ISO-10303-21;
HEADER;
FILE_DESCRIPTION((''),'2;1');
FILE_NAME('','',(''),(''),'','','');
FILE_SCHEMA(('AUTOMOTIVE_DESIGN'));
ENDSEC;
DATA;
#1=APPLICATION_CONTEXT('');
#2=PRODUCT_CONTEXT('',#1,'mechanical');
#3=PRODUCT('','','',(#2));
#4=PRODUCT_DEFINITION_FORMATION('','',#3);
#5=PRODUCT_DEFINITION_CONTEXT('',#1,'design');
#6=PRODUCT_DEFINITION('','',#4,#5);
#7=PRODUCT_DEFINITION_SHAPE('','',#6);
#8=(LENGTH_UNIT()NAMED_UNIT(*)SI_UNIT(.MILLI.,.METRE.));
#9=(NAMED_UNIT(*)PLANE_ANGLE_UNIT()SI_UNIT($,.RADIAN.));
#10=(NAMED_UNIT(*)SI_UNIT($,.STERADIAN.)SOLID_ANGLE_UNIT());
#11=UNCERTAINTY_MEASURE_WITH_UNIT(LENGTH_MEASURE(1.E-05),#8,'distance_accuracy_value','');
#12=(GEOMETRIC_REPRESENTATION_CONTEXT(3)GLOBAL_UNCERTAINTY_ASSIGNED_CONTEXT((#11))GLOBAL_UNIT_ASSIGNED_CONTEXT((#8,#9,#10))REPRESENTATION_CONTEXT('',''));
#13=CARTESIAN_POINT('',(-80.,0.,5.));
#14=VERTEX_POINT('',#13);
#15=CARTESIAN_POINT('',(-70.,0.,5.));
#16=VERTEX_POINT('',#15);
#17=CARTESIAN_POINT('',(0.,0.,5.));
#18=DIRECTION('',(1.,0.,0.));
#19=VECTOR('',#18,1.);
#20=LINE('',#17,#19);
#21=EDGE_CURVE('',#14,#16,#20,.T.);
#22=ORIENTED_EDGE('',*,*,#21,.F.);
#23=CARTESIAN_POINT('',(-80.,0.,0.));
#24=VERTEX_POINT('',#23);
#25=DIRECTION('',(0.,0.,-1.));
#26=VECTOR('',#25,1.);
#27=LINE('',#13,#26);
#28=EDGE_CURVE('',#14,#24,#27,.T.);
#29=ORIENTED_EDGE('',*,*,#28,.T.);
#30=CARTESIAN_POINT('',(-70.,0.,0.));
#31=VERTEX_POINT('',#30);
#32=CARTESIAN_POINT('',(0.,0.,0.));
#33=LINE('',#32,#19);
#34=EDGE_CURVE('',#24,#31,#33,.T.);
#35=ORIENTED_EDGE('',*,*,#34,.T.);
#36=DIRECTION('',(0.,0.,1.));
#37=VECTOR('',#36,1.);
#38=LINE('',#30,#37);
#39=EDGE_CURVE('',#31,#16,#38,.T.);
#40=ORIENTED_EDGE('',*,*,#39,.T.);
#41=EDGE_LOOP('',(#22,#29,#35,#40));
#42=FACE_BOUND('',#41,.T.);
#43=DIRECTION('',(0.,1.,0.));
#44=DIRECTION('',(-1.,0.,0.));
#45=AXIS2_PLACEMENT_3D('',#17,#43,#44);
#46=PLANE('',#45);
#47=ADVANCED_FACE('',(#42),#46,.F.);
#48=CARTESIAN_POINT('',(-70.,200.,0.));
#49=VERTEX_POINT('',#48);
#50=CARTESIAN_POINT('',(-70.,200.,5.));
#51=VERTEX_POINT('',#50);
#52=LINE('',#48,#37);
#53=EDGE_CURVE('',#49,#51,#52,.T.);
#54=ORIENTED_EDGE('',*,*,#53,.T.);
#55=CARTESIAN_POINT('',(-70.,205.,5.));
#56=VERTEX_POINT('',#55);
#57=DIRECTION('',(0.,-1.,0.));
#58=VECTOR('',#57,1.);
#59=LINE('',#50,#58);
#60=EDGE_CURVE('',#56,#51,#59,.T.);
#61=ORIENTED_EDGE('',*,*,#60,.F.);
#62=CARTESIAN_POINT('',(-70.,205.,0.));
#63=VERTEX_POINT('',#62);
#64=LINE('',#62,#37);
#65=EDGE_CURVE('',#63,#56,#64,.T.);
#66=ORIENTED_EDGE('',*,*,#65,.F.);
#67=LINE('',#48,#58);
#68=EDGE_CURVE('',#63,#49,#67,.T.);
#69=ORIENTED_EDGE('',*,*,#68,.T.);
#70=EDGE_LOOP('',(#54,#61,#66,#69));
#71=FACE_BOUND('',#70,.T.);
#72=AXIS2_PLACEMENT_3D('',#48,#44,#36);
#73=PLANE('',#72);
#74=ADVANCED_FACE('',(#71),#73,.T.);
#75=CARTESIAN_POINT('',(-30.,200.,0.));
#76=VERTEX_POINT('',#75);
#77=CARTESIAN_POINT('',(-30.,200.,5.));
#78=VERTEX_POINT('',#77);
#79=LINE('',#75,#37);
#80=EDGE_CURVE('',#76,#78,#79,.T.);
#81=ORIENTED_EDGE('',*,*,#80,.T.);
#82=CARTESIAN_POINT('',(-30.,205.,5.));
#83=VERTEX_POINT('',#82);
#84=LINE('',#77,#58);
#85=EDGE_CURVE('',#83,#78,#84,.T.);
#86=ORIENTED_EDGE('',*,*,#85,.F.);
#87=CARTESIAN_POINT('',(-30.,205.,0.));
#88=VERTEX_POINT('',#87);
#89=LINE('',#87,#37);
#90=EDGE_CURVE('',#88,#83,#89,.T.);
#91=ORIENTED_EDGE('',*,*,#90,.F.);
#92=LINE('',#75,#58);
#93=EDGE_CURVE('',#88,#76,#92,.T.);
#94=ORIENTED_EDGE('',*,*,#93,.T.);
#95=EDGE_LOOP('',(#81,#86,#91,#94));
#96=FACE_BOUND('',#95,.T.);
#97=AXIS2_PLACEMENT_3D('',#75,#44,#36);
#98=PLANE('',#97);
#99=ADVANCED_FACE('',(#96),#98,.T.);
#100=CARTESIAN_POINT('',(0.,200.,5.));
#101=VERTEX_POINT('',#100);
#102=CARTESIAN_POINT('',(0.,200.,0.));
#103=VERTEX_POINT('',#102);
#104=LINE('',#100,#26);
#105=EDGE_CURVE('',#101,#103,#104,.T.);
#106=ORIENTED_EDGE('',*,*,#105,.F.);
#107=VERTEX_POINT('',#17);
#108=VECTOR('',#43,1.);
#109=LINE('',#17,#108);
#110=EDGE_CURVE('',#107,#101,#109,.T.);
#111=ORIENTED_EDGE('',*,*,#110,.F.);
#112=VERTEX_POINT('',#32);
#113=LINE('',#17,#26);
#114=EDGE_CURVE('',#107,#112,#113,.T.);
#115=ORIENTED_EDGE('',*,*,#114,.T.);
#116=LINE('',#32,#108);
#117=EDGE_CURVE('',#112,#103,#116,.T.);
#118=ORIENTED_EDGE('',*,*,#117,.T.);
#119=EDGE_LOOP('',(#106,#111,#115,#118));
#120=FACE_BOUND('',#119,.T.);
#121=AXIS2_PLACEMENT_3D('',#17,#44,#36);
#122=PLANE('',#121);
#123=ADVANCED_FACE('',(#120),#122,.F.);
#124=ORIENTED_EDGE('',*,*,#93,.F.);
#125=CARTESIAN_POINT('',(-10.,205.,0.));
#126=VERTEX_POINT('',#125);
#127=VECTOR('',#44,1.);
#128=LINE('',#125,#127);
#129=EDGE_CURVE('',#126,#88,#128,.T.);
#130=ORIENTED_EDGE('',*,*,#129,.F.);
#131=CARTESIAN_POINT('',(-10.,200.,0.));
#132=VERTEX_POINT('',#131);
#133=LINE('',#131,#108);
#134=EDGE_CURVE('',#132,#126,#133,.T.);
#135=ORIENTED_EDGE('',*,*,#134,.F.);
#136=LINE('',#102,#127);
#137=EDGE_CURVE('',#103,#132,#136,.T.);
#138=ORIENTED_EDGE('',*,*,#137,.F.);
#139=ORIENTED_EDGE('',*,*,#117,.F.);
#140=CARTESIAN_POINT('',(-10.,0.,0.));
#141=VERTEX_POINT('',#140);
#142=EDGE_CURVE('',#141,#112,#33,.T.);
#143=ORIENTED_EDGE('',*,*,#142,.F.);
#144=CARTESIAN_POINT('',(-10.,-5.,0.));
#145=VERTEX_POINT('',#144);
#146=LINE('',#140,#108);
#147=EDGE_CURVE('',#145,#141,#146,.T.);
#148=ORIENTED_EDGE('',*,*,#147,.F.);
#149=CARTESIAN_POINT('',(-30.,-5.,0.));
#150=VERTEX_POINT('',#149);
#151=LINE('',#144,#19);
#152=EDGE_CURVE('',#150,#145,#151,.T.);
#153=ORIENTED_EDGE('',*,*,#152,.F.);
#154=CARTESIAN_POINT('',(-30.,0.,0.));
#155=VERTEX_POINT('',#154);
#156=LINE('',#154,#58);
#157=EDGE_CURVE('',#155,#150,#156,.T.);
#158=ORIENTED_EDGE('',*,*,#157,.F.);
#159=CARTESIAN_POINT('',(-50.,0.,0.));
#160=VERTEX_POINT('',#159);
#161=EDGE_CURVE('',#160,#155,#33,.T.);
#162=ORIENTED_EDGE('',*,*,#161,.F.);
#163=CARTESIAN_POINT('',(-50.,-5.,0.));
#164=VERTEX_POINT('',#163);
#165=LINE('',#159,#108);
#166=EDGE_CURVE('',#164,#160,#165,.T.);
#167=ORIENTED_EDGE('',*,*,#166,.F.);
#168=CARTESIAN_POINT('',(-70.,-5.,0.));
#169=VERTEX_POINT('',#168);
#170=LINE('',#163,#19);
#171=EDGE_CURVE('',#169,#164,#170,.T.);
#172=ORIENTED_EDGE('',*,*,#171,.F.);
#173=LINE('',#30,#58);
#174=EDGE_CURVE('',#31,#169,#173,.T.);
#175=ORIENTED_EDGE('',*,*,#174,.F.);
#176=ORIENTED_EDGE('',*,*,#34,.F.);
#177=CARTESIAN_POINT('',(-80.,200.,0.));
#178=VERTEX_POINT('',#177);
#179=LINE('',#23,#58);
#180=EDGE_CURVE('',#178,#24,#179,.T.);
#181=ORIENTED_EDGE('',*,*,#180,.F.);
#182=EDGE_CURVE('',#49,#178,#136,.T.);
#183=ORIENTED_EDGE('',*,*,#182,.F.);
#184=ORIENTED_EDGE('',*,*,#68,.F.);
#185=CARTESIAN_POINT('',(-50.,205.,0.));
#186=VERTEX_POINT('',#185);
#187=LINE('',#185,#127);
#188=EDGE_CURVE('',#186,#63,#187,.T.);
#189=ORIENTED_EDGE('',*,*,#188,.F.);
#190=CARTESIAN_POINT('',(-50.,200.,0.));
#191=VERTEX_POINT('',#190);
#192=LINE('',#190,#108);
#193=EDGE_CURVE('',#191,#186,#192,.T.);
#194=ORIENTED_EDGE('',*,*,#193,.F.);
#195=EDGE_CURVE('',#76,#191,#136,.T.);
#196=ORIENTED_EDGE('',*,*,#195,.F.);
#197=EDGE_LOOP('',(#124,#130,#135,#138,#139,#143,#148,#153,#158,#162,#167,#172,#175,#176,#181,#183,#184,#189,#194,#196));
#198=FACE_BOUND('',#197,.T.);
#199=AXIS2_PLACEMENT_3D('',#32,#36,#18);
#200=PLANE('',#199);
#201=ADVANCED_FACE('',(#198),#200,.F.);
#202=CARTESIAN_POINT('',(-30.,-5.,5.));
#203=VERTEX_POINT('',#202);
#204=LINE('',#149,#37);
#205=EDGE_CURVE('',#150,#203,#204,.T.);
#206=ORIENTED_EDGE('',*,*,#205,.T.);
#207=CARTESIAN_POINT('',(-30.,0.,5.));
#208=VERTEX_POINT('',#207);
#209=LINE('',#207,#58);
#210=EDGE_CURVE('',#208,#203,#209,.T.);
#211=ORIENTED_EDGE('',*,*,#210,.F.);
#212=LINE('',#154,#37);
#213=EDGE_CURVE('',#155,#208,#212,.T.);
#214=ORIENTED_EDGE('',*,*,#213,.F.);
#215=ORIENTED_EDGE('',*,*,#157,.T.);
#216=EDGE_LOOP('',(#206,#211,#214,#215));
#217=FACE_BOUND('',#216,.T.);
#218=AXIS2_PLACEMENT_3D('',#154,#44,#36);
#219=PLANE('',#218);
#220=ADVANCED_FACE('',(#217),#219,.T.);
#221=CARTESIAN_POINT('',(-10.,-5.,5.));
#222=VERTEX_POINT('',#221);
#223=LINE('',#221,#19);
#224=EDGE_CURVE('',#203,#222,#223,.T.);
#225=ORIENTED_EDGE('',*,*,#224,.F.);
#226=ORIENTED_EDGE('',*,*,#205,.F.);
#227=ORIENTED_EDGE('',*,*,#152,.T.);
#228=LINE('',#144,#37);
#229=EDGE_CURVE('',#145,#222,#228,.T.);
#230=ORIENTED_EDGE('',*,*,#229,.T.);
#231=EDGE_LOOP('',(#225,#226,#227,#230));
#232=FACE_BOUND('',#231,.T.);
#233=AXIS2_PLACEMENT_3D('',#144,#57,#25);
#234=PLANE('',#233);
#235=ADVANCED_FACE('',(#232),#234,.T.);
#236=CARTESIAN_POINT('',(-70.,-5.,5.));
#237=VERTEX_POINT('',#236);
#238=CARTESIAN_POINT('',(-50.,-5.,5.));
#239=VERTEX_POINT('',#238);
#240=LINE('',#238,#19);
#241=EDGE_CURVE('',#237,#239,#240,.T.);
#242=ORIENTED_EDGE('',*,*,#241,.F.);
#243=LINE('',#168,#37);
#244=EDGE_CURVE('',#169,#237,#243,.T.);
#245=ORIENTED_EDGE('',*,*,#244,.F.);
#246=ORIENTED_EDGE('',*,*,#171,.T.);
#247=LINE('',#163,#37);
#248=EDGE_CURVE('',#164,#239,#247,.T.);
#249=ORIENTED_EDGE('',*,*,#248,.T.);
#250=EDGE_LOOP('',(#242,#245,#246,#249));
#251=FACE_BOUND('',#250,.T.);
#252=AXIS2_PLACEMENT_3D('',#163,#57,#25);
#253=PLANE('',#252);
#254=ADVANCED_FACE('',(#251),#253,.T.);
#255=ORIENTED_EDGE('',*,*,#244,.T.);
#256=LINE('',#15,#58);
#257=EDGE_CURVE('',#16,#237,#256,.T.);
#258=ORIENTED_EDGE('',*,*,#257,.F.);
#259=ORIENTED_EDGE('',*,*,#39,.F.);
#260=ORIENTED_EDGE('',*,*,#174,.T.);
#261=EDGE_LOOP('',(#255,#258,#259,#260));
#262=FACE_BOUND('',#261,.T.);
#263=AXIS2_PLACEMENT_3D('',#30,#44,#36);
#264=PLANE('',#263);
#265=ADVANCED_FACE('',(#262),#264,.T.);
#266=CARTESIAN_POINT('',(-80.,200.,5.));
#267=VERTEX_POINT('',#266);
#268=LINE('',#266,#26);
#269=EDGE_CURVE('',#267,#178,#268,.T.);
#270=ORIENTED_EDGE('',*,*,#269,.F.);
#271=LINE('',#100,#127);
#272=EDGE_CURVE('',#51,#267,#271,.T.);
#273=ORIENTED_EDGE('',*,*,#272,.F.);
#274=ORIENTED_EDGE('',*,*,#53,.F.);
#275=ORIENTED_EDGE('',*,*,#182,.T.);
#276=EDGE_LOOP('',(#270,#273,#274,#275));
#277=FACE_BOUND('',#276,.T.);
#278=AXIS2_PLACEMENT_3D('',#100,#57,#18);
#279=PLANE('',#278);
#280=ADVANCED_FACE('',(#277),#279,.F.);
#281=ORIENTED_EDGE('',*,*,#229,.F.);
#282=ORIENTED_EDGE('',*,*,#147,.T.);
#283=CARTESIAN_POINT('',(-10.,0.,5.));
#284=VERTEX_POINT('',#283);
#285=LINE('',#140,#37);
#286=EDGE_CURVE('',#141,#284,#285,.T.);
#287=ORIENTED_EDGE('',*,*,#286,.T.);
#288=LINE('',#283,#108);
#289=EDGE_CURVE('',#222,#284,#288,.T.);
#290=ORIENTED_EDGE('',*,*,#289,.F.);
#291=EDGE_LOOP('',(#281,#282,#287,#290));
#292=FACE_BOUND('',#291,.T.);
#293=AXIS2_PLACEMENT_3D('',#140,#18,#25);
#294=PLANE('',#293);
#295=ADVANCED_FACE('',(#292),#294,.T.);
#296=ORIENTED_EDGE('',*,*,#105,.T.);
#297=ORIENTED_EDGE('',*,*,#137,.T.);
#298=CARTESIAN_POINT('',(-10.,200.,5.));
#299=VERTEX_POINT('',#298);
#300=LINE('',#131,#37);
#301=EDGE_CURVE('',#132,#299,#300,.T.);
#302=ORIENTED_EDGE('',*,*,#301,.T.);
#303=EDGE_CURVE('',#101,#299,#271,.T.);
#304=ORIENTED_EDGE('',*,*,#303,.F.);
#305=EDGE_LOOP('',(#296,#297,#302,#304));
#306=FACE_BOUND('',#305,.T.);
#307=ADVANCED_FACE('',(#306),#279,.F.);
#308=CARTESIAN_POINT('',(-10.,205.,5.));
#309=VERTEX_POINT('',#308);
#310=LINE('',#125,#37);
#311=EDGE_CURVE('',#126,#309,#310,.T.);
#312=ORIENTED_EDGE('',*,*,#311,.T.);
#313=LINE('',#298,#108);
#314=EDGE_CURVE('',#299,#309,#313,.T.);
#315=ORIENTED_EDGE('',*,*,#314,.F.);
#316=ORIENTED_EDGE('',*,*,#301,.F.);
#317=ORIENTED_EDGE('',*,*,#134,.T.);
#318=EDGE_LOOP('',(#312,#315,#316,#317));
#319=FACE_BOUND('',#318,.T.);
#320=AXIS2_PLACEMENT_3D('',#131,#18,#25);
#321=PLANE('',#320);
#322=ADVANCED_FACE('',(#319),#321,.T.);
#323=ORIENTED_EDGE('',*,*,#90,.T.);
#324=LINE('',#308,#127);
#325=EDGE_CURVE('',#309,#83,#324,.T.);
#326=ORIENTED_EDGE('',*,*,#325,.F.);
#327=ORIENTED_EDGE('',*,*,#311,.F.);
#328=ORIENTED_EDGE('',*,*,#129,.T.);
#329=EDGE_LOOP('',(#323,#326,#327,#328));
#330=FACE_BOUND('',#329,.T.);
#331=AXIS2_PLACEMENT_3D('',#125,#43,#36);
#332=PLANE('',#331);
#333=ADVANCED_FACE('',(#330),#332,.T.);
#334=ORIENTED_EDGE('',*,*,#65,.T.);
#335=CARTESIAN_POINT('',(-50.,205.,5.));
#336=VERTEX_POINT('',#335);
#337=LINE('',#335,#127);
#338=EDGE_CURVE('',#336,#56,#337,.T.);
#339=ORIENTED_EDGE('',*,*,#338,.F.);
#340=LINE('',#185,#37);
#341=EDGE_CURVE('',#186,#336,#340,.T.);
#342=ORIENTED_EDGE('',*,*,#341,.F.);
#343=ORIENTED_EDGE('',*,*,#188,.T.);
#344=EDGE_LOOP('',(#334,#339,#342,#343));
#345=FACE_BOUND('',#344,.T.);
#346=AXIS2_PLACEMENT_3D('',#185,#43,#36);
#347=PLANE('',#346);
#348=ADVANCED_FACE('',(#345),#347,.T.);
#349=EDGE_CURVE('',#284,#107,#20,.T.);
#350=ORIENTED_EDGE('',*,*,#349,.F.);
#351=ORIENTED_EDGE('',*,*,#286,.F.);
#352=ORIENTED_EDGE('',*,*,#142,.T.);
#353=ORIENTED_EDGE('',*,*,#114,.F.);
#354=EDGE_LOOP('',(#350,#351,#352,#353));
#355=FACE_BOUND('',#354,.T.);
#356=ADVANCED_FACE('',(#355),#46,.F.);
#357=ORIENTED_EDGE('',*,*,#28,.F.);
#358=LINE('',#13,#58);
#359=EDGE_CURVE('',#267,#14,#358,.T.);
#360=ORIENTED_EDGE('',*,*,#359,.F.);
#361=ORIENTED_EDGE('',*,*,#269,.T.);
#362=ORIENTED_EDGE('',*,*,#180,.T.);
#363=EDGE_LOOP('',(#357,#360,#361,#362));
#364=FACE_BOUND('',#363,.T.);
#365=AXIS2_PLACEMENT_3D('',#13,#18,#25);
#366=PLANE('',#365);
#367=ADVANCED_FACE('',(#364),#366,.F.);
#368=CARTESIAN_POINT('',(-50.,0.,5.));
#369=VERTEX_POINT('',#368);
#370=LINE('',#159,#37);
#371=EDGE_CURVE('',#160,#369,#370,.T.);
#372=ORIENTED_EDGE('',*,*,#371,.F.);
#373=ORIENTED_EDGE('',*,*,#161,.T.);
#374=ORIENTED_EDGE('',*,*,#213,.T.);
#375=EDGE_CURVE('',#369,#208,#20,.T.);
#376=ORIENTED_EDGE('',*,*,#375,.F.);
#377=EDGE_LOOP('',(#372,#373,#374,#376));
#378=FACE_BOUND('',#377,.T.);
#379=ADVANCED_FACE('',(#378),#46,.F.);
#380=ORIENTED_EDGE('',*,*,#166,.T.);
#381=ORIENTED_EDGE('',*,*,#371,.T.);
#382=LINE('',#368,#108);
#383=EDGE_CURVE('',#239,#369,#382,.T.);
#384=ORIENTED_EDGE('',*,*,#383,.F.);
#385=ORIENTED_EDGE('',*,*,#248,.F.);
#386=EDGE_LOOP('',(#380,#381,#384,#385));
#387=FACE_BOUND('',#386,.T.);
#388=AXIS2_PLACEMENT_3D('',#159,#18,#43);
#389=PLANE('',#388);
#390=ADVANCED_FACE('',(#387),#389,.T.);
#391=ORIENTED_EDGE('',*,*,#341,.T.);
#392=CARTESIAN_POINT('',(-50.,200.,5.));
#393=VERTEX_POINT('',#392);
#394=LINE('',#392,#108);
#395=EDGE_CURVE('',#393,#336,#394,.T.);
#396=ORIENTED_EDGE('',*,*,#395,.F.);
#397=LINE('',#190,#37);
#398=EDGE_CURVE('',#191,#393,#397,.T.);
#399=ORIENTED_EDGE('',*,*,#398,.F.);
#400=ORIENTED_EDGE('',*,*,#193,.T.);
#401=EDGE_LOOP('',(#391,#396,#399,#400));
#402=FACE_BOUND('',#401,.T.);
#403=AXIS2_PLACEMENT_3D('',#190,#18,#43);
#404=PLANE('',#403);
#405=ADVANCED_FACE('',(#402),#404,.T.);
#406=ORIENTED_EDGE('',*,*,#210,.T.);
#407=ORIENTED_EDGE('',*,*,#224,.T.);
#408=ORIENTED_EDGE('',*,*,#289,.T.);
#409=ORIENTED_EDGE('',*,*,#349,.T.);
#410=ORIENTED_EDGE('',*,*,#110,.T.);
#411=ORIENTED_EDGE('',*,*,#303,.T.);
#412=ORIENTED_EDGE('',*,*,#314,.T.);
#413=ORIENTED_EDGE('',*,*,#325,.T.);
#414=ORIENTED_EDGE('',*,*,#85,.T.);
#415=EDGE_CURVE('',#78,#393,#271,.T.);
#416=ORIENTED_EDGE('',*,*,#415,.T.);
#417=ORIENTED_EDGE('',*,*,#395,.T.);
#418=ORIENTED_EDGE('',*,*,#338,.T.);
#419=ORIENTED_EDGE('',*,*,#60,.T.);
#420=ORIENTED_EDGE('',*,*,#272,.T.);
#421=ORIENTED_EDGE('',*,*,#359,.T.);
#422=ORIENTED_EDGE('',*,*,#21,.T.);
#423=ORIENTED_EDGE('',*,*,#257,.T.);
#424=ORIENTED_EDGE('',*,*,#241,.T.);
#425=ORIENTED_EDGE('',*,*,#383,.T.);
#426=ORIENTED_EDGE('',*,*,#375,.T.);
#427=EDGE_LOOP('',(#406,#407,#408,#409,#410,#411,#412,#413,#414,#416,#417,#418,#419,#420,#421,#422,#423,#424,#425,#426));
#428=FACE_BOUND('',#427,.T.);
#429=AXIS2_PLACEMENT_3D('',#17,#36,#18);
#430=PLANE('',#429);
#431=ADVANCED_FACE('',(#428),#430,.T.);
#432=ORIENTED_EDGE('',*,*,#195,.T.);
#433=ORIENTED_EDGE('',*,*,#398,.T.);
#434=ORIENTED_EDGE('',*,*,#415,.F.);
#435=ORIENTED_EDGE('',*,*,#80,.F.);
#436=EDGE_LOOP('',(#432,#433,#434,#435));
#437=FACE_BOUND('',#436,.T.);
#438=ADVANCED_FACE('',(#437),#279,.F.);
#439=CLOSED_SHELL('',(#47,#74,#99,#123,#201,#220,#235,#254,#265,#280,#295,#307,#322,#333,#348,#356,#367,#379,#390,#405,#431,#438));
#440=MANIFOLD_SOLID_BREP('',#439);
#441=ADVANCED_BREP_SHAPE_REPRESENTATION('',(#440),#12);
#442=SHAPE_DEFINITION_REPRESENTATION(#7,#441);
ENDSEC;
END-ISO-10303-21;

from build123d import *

# Parameters (mm, degrees)
SKETCH1_W           = 80
SKETCH1_H           = 200
BOSS_EXTRUDE1_DEPTH = 5
SKETCH2_W           = 20
SKETCH2_H           = 5
BOSS_EXTRUDE2_DEPTH = 5


with BuildPart() as part:
    # Sketch1 → Boss-Extrude1 (new body)
    with BuildSketch(Plane.XY):
        with Locations((-40, 100)):
            Rectangle(SKETCH1_W, SKETCH1_H)
    extrude(amount=BOSS_EXTRUDE1_DEPTH)

    # Sketch2 → Boss-Extrude2 (add)
    with BuildSketch(Plane.XY.offset(5)):
        with Locations((-20, 202.5)):
            Rectangle(SKETCH2_W, SKETCH2_H)
        with Locations((-60, 202.5)):
            Rectangle(SKETCH2_W, SKETCH2_H)
        with Locations((-60, -2.5)):
            Rectangle(SKETCH2_W, SKETCH2_H)
        with Locations((-20, -2.5)):
            Rectangle(SKETCH2_W, SKETCH2_H)
    extrude(amount=-BOSS_EXTRUDE2_DEPTH)


solid = part.part
